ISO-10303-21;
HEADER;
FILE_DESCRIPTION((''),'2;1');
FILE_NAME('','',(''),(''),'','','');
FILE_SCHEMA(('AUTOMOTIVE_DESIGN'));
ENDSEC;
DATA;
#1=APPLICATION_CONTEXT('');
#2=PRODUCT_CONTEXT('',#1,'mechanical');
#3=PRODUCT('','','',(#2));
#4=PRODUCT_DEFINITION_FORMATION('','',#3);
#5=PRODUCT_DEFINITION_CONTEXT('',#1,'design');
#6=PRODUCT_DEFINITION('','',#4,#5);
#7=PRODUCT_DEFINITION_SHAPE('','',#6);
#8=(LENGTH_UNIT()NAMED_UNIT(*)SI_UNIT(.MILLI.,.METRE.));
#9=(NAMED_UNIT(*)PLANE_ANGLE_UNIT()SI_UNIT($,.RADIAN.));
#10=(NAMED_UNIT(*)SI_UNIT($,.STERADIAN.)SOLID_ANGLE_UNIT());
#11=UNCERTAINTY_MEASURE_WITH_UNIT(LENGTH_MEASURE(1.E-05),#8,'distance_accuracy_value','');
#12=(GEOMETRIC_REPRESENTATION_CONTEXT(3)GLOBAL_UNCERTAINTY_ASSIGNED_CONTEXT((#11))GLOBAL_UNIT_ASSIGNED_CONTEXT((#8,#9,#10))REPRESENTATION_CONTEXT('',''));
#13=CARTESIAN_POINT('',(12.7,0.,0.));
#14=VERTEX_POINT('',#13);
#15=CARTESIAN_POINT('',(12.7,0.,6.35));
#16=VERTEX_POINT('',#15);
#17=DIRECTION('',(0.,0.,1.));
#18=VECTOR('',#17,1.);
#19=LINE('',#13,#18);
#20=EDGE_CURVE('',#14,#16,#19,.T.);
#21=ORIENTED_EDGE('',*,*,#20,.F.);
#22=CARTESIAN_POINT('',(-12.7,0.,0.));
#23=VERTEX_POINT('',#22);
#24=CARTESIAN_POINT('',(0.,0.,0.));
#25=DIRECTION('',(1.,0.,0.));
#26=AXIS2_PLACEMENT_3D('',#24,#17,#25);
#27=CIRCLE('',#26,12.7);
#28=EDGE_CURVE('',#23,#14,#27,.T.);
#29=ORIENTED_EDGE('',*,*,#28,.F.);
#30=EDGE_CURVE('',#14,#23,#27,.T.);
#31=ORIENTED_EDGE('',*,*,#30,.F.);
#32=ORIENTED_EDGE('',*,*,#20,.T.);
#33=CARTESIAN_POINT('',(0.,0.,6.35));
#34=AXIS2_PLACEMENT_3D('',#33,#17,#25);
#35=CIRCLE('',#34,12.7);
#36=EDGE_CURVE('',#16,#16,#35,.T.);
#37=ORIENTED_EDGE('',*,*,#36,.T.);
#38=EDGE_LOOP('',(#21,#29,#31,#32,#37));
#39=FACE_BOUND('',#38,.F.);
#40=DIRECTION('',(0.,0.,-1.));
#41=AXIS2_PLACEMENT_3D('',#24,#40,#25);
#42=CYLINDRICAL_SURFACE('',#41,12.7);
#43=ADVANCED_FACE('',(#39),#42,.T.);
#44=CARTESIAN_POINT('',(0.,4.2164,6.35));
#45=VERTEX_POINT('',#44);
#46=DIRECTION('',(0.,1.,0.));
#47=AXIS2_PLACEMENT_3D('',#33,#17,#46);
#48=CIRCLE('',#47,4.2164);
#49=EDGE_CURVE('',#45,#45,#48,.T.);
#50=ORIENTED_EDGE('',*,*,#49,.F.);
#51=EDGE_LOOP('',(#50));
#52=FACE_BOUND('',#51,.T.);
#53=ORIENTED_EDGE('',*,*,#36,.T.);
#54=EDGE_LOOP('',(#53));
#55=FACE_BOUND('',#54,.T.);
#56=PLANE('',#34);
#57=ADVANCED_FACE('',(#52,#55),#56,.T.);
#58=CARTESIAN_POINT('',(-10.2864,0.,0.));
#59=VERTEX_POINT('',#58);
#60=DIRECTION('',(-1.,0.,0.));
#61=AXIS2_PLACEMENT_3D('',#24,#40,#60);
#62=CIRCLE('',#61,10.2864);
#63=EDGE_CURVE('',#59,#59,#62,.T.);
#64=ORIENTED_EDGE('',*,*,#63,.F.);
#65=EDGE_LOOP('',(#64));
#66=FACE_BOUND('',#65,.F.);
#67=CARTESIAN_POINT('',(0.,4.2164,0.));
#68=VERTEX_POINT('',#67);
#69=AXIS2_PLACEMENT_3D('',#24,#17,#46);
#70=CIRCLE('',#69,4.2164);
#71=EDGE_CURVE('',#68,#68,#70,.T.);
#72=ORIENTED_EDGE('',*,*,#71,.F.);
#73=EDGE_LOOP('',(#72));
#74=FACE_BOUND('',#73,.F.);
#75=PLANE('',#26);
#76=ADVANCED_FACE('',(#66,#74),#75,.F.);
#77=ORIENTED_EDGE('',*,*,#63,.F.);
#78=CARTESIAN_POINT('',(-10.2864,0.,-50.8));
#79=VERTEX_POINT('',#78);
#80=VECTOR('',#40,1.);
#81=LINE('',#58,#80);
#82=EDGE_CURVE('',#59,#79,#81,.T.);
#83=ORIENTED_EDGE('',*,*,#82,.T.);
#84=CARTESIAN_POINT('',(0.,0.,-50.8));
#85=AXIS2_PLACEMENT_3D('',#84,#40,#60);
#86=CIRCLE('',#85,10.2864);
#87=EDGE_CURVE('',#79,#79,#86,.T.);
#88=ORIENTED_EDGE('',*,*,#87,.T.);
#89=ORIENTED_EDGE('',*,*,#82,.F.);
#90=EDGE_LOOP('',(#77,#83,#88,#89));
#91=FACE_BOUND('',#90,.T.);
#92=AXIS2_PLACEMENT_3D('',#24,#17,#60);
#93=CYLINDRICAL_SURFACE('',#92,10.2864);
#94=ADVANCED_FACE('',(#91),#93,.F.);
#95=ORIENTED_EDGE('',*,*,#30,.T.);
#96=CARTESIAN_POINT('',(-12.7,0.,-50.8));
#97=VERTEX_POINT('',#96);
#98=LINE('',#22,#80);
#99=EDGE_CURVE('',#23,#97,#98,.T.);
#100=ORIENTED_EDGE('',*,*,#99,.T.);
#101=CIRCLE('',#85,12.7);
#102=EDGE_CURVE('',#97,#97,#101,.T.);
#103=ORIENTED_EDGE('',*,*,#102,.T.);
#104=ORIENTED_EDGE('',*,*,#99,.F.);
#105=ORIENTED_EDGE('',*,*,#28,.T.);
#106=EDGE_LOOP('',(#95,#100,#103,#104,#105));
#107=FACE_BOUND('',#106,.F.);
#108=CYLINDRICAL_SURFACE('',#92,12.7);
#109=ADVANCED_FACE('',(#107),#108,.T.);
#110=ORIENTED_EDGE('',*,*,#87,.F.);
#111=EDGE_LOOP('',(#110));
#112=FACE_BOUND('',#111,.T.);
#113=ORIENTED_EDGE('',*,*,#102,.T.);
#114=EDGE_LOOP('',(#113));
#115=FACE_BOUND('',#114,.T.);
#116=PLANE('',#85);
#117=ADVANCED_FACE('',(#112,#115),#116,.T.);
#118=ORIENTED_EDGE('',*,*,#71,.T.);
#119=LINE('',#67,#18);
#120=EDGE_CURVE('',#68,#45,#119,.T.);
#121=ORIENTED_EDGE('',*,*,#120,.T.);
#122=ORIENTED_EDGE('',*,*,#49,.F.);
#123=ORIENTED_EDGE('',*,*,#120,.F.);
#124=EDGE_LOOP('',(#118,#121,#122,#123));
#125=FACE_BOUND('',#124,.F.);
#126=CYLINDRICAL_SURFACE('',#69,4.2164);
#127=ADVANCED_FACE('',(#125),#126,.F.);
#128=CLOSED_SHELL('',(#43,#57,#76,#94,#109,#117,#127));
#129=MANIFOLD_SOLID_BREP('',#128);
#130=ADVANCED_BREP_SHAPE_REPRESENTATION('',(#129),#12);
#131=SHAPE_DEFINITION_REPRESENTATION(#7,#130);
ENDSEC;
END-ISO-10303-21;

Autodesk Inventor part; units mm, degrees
ref_plane "YZ Plane" through (0, 0, 0) normal (1, 0, 0) x (0, 1, 0)
ref_plane "XZ Plane" through (0, 0, 0) normal (0, 1, 0) x (-1, 0, 0)
ref_plane "XY Plane" through (0, 0, 0) normal (0, 0, 1) x (1, 0, 0)
sketch "Sketch1" plane through (0, 0, 0) normal (0, 0, 1) x (1, 0, 0)
  circle A0 centre (0, 0) radius 12.7
  dimension "d0" = 25.4
extrude "Extrusion1" add sketch "Sketch1" along normal blind 6.35
sketch "Sketch2" plane through (0, 0, 0) normal (0, 0, -1) x (-1, 0, 0)
  point P0 (0, 0)
  point P1 (0, 0)
hole "Hole1" at (0, 0, 0) direction (0, 0, 1) diameter 8.4328 end through all clearance for "Flat Head Machine Screw (82)" size "5/16" standard "Ansi Unified Screw Threads"
sketch "Sketch3" plane through (0, 0, 0) normal (0, 0, -1) x (-1, 0, 0)
  circle A0 centre (0, 0) radius 12.7
  circle A1 centre (0, 0) radius 12.7 projected
  circle A2 centre (0, 0) radius 10.2864
  dimension "d10" = 20.5728
  dimension "d11" = 25.4
extrude "Extrusion2" add sketch "Sketch3" along normal blind 50.8
properties part number "topForDart"
